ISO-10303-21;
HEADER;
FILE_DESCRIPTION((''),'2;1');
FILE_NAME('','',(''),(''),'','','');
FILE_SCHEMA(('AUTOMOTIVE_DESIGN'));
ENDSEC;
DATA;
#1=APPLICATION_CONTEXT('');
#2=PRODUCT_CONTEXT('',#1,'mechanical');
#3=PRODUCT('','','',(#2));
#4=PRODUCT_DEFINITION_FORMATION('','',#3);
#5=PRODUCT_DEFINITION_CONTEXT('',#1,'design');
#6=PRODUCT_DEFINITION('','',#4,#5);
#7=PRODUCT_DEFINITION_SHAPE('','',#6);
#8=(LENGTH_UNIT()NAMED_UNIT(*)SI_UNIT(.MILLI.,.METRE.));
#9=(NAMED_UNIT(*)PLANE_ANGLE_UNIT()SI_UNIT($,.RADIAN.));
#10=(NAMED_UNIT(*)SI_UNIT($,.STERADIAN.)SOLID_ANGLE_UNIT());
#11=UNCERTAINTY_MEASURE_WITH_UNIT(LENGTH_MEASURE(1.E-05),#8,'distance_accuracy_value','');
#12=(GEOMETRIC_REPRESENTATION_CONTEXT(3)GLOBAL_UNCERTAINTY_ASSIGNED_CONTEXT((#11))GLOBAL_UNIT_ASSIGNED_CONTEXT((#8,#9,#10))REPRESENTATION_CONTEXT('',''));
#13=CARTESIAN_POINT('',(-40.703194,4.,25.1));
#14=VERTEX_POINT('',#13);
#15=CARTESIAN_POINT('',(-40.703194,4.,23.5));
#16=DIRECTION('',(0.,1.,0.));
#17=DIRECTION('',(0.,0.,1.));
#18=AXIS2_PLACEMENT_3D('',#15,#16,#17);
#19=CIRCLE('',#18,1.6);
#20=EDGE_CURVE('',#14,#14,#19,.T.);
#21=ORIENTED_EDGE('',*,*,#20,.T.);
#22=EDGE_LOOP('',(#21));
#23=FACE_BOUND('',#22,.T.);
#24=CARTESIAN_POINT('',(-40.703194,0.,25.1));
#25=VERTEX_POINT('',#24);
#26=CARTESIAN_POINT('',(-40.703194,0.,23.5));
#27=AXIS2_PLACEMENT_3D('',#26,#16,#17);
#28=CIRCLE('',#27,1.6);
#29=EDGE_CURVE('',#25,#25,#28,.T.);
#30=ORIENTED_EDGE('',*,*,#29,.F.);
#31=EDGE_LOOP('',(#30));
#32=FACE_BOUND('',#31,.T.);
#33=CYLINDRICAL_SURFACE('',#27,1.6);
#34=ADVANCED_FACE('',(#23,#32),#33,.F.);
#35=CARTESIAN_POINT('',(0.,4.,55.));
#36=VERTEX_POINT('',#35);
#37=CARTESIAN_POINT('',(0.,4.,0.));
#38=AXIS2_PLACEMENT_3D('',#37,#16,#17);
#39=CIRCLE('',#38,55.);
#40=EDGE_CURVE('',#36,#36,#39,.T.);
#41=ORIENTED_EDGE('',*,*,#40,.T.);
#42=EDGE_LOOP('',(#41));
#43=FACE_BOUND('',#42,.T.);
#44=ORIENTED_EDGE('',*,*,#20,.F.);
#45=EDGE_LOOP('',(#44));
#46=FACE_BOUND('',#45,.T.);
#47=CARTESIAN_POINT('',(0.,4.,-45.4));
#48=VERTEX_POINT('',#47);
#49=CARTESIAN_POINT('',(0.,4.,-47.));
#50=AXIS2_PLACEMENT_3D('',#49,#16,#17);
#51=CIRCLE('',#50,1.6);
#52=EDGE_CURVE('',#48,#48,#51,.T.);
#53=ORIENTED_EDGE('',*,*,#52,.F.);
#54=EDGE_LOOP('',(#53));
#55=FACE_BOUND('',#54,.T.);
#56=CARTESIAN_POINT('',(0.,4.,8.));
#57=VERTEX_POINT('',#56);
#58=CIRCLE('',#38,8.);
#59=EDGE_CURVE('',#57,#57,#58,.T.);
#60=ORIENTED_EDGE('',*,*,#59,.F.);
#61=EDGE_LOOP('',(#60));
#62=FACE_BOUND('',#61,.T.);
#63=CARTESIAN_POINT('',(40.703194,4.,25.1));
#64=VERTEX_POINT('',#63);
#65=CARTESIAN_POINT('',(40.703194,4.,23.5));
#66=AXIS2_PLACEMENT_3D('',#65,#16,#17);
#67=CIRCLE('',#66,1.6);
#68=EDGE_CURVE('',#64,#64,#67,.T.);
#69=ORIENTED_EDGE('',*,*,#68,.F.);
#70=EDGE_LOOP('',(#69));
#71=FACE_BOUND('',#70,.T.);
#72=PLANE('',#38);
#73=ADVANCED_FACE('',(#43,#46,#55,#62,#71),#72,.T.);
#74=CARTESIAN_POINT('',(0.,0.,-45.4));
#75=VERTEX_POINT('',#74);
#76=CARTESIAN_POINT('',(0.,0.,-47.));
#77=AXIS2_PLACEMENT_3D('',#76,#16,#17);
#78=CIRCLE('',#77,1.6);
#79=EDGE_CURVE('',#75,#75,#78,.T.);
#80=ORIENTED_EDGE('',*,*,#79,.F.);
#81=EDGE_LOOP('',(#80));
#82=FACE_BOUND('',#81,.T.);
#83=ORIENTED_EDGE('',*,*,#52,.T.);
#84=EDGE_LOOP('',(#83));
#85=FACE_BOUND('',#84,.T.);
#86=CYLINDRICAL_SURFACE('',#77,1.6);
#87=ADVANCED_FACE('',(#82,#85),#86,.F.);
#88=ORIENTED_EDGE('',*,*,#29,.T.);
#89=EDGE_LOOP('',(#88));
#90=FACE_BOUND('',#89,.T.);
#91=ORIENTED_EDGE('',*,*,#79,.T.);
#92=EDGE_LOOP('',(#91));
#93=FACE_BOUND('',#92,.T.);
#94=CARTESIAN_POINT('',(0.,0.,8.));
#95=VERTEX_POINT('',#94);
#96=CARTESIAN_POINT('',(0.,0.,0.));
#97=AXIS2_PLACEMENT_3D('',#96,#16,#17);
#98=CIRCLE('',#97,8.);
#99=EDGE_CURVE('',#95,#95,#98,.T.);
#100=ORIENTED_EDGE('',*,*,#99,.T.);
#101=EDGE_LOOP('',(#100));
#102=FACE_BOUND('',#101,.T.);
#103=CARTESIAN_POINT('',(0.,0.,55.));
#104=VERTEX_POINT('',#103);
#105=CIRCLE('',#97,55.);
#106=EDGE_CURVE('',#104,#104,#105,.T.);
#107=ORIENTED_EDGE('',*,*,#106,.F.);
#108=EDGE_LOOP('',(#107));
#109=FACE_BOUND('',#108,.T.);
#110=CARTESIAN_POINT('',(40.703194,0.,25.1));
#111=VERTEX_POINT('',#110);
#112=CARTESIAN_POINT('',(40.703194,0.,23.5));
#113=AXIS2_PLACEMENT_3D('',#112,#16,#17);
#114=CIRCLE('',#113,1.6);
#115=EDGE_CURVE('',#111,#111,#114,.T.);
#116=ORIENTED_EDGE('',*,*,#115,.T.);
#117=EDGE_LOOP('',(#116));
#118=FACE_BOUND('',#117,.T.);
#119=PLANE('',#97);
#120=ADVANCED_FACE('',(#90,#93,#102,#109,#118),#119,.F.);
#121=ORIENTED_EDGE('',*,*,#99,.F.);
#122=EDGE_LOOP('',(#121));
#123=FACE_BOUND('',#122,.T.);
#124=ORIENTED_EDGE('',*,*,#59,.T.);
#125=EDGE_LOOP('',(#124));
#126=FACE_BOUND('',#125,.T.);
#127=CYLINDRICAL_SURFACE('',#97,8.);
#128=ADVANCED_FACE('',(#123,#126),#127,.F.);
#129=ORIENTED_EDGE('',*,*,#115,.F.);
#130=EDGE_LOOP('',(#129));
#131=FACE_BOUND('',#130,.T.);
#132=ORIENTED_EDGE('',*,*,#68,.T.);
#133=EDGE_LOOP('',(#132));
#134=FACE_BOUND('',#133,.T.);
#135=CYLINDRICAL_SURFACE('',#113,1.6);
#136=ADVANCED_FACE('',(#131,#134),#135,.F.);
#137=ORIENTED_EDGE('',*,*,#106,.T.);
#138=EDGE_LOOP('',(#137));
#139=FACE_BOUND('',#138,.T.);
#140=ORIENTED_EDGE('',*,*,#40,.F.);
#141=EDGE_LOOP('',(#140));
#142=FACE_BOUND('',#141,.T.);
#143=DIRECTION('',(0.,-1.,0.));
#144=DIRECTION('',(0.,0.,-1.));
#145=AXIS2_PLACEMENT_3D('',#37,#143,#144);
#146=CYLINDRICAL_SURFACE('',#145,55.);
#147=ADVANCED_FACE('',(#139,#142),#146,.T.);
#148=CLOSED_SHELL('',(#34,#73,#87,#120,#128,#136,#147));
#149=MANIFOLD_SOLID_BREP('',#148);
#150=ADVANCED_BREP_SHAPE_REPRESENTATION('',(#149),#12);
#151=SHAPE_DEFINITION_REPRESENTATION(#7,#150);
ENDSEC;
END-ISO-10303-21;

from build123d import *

# Parameters (mm, degrees)
SCHIZZO1_R                   = 55
ESTRUSIONE_ESTRUSIONE1_DEPTH = 4
SCHIZZO2_R                   = 8
SCHIZZO2_R_2                 = 1.6
TAGLIO_ESTRUSIONE1_DEPTH     = 78.884529914


with BuildPart() as part:
    # Schizzo1 → Estrusione-Estrusione1 (new body)
    with BuildSketch(Plane(origin=(0, 0, 0), x_dir=(1, 0, 0), z_dir=(0, 1, 0))):
        with Locations(Location((0, 0, 0), (0, 0, 270))):
            Circle(SCHIZZO1_R)
    extrude(amount=ESTRUSIONE_ESTRUSIONE1_DEPTH)

    # Schizzo2 → Taglio-Estrusione1 (cut, through all)
    with BuildSketch(Plane(origin=(0, 4, 0), x_dir=(1, 0, 0), z_dir=(0, 1, 0))):
        with Locations(Location((0, 0, 0), (0, 0, 270))):
            Circle(SCHIZZO2_R)
        with Locations(Location((0, 47, 0), (0, 0, 270))):
            Circle(SCHIZZO2_R_2)
        with Locations(Location((40.703193978, -23.5, 0), (0, 0, 270))):
            Circle(SCHIZZO2_R_2)
        with Locations(Location((-40.703193978, -23.5, 0), (0, 0, 270))):
            Circle(SCHIZZO2_R_2)
    extrude(amount=-TAGLIO_ESTRUSIONE1_DEPTH, mode=Mode.SUBTRACT)


solid = part.part
